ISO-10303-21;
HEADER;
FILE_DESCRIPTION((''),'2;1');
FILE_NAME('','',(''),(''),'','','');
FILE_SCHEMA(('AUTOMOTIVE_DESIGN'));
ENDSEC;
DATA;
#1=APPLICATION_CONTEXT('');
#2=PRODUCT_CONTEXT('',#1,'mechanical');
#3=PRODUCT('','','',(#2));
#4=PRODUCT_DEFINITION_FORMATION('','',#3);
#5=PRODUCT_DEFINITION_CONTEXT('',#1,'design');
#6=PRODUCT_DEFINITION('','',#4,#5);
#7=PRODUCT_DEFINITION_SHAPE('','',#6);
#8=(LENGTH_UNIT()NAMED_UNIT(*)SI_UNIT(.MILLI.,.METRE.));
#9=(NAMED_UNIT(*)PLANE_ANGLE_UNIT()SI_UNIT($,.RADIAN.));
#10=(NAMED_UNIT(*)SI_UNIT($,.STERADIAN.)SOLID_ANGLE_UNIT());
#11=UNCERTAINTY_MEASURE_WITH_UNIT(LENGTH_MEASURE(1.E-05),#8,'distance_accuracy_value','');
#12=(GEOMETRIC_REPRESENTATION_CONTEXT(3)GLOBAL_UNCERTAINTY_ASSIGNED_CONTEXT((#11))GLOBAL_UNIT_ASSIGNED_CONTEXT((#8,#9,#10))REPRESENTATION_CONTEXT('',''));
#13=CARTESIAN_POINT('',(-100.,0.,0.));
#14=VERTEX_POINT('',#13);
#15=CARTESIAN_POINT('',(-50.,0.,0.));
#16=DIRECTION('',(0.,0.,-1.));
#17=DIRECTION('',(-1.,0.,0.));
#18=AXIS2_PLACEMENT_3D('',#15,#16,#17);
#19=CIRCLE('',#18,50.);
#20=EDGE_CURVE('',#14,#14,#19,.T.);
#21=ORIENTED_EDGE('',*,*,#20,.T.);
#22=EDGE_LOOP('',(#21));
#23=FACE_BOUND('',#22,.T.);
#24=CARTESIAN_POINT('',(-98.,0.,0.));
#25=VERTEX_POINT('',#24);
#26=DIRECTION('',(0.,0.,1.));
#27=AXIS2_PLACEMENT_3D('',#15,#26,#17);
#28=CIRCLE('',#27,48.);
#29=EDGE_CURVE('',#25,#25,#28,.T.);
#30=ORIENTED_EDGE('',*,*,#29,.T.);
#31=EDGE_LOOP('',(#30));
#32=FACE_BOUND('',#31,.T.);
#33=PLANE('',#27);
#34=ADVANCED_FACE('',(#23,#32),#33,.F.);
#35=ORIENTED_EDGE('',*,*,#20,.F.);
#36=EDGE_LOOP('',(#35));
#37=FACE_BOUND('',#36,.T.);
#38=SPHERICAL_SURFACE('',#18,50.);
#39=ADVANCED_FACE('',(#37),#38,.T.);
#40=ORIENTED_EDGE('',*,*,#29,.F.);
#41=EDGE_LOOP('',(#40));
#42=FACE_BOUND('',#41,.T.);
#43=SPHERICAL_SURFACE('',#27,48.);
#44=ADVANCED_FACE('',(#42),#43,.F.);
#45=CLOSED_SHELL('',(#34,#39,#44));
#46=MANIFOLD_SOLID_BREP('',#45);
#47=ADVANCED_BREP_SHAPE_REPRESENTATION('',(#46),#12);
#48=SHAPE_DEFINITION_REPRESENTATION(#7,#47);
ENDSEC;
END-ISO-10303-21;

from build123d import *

# Parameters (mm, degrees)
REVOLVE1_ANGLE = 180


with BuildPart() as part:
    # Sketch1 → Revolve1 (revolve)
    with BuildSketch(Plane.XY):
        with BuildLine():
            Line((-100, 0), (-98, 0))
            ThreePointArc((-98, 0), (-50, 48), (-2, 0))
            Line((-2, 0), (0, 0))
            ThreePointArc((0, 0), (-50, 50), (-100, 0))
        make_face()
    revolve(axis=Axis((-98, 0, 0), (1, 0, 0)), revolution_arc=REVOLVE1_ANGLE)


solid = part.part
